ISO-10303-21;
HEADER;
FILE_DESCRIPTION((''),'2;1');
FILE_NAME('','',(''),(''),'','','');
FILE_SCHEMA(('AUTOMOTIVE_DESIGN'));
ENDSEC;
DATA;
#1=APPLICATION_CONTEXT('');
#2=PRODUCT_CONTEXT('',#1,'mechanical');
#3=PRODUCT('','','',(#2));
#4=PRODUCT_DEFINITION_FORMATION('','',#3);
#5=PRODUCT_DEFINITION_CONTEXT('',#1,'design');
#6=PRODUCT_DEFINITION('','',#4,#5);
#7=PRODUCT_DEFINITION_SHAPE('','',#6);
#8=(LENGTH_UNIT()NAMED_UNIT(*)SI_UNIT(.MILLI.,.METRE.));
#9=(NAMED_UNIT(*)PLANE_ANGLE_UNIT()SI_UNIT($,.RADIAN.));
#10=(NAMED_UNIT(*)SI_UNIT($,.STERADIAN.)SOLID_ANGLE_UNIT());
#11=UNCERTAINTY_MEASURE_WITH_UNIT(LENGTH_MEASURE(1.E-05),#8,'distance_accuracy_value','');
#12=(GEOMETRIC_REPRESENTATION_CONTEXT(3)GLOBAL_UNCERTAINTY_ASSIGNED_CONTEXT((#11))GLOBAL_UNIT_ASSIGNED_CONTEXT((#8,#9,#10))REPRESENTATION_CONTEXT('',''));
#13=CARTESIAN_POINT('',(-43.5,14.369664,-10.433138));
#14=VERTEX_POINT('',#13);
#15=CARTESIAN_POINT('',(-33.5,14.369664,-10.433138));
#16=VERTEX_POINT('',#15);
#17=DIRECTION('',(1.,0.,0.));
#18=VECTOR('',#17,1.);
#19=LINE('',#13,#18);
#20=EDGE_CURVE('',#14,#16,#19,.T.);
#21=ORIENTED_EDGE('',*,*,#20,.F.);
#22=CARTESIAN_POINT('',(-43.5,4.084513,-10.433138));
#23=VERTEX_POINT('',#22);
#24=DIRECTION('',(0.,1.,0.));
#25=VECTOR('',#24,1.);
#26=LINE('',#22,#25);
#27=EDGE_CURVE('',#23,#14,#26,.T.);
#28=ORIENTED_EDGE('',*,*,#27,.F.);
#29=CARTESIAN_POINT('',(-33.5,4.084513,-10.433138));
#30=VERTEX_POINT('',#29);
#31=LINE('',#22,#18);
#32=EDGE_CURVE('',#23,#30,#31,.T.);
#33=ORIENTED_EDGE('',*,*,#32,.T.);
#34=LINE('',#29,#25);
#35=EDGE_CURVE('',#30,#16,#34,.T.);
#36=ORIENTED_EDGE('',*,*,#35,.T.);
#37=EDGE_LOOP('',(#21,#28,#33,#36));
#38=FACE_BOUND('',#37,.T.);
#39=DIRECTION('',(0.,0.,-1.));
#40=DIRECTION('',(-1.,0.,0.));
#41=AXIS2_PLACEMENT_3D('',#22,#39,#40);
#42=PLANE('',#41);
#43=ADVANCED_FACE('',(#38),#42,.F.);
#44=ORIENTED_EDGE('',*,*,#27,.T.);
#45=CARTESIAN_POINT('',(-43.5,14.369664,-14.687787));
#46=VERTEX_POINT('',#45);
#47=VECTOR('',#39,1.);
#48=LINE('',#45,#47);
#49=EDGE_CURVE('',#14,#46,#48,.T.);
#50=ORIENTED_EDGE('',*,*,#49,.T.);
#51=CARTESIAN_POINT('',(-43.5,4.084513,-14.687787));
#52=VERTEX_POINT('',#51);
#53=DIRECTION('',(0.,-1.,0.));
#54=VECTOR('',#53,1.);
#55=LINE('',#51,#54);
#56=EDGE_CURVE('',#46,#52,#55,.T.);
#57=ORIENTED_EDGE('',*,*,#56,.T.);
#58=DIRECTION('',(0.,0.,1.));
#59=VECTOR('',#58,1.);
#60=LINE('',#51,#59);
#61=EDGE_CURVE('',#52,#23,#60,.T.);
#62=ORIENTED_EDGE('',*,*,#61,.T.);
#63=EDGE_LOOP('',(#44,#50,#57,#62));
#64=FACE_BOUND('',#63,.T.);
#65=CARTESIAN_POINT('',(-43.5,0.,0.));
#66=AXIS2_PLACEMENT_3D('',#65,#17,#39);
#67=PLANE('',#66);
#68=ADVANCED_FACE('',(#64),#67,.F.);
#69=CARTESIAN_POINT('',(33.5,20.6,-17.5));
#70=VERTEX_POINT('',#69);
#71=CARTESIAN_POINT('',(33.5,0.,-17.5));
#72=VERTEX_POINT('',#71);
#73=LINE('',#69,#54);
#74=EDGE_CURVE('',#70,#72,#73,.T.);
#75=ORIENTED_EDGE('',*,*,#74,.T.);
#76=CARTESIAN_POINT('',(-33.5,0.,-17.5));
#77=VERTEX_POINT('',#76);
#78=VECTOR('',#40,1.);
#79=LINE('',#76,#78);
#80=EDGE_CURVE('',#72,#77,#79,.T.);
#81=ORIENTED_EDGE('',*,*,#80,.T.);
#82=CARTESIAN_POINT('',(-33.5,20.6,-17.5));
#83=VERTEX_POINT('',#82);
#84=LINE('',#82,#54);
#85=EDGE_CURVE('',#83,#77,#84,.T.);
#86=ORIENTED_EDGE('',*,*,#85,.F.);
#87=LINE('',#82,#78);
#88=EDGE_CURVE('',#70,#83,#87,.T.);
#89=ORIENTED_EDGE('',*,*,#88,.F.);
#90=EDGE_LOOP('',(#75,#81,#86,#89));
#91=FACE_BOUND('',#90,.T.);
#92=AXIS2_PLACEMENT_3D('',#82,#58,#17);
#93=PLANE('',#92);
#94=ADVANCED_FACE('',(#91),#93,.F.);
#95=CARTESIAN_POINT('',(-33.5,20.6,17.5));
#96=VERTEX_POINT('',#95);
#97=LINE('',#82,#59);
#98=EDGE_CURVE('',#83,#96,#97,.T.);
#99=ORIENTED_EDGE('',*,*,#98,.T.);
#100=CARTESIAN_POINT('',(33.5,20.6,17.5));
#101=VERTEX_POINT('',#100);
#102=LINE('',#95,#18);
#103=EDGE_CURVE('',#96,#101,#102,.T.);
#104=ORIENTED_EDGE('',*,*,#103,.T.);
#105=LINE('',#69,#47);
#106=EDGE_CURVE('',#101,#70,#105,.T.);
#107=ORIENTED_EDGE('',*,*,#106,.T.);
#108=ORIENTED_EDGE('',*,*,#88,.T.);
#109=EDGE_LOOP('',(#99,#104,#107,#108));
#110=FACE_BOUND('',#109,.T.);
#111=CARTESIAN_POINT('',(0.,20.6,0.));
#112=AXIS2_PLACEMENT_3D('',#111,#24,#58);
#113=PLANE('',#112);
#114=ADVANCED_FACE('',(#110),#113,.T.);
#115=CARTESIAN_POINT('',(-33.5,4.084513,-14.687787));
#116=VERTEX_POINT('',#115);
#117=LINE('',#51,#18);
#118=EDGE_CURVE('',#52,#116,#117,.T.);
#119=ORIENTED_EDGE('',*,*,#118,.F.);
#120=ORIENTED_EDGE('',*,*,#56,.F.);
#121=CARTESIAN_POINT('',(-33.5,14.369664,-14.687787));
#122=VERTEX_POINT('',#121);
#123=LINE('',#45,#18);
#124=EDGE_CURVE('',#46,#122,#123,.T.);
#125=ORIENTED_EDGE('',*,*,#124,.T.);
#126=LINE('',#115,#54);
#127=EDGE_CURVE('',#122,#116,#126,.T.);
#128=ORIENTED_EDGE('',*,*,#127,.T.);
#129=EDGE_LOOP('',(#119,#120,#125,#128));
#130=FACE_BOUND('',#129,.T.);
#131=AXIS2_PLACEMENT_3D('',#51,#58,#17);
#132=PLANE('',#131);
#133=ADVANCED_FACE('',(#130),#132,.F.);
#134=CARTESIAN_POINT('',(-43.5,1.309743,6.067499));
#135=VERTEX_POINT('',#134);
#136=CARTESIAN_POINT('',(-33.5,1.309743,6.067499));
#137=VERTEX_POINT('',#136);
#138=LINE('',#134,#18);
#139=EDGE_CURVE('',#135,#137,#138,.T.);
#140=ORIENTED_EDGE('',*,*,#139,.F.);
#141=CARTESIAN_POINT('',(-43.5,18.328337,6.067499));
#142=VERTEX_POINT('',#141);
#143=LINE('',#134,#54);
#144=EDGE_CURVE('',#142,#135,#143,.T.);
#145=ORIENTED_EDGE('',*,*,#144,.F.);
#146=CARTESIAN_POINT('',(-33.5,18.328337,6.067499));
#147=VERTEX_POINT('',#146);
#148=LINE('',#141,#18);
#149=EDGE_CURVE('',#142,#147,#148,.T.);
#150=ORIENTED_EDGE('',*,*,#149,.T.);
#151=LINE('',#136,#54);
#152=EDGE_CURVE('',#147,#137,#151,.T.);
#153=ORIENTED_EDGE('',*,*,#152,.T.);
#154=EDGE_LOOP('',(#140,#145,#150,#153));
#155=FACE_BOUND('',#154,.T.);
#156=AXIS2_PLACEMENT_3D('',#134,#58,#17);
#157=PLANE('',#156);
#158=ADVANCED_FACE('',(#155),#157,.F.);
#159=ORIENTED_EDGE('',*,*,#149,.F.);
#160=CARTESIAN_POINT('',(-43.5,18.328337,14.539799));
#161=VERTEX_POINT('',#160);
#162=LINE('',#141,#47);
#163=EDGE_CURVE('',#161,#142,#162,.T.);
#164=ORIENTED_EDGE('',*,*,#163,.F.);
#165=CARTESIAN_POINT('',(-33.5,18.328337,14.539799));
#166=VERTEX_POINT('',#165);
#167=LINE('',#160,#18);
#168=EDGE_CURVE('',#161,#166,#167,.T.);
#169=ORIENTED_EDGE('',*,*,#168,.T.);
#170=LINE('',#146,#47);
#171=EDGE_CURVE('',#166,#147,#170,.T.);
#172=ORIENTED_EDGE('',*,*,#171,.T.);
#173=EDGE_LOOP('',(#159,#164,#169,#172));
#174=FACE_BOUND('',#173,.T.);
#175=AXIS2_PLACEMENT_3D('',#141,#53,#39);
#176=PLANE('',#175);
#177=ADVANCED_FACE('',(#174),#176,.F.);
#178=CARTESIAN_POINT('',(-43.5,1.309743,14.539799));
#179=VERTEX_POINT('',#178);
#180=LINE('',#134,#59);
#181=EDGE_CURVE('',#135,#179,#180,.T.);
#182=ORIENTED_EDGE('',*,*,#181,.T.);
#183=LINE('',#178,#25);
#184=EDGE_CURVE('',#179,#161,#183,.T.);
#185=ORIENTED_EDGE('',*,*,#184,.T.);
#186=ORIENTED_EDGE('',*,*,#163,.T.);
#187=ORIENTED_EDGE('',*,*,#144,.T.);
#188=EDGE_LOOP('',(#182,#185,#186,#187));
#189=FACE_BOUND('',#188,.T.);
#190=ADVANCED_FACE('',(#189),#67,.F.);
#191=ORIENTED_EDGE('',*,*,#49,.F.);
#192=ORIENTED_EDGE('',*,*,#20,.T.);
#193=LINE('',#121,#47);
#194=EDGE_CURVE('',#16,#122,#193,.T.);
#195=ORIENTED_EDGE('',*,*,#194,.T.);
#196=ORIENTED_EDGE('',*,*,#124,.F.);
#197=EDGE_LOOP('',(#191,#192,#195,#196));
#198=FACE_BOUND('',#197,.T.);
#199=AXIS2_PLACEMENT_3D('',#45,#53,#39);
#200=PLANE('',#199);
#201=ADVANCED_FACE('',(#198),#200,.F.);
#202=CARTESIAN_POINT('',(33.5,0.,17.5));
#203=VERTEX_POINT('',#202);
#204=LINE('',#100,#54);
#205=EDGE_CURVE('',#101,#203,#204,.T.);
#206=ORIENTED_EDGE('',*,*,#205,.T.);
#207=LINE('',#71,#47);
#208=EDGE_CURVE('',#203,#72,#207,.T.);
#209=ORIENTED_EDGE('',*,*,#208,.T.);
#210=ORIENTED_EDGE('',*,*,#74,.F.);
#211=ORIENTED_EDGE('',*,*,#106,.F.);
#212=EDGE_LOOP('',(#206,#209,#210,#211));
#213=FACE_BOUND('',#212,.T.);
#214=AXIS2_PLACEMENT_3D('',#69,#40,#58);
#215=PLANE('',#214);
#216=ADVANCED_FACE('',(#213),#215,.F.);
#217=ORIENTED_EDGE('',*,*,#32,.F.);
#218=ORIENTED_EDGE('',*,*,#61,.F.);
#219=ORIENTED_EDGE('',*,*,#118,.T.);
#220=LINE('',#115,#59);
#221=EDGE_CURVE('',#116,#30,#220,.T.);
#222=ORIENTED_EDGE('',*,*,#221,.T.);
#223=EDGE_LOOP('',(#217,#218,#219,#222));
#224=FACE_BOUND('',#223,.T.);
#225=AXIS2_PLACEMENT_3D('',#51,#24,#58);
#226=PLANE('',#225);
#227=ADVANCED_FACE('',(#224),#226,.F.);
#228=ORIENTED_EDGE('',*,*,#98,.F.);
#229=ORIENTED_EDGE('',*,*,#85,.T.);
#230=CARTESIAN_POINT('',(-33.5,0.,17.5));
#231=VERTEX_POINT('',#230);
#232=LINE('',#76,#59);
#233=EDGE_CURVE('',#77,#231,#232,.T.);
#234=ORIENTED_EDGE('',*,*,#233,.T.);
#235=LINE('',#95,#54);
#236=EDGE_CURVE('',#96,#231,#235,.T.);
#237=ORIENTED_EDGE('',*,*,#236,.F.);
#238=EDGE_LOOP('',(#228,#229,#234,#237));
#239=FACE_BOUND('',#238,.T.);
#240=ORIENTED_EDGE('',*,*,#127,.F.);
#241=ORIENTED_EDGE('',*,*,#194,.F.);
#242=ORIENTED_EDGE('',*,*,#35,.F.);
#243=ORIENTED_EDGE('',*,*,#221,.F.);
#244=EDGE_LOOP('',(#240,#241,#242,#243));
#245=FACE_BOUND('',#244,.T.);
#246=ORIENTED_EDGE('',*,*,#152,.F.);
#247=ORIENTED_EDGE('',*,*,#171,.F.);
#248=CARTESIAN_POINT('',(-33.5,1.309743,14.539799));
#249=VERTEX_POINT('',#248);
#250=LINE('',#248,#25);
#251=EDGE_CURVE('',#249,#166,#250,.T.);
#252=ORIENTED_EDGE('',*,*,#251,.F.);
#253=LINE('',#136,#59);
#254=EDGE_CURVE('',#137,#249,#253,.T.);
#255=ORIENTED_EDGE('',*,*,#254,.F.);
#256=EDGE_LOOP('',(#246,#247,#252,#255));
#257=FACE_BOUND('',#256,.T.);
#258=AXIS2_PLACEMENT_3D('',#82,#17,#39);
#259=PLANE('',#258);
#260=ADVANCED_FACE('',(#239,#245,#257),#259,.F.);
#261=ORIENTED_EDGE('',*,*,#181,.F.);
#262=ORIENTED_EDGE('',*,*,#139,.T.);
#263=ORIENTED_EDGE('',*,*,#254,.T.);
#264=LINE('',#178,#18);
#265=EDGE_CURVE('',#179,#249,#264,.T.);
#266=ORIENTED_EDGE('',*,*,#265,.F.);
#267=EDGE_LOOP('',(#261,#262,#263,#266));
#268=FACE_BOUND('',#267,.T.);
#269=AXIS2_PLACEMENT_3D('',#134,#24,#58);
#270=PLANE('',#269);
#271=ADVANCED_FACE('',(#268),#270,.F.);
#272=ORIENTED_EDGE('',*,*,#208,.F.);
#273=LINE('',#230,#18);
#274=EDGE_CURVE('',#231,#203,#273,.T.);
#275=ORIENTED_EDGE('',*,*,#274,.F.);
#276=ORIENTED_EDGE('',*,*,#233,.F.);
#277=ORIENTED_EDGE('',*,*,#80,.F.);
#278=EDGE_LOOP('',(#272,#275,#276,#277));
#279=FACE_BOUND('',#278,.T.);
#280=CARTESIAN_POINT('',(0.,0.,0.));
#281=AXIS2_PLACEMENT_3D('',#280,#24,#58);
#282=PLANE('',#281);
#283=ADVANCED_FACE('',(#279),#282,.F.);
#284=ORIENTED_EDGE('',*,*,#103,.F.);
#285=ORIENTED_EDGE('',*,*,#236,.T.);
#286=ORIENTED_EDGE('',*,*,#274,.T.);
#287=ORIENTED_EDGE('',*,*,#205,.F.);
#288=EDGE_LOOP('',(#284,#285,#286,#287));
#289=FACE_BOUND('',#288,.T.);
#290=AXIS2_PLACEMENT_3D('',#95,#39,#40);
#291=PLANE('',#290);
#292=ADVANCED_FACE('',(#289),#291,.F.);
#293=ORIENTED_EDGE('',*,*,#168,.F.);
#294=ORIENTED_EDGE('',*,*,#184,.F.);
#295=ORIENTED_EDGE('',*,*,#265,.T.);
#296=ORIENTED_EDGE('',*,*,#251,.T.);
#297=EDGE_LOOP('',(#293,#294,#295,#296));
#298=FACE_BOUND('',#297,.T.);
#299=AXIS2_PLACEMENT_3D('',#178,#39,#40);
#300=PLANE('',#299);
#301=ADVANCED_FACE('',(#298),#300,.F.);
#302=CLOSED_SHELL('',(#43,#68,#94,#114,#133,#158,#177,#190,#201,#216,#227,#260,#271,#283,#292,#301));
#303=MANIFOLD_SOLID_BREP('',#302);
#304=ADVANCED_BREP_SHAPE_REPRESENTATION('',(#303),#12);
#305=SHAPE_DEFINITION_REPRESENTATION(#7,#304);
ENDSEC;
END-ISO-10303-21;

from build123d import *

# Parameters (mm, degrees)
SKETCH1_W           = 67
SKETCH1_H           = 35
BOSS_EXTRUDE1_DEPTH = 20.6
SKETCH2_W           = 4.254648544
SKETCH2_H           = 10.285150392
SKETCH2_W_2         = 8.472300143
SKETCH2_H_2         = 17.018594174
BOSS_EXTRUDE2_DEPTH = 10


with BuildPart() as part:
    # Sketch1 → Boss-Extrude1 (new body)
    with BuildSketch(Plane(origin=(0, 0, 0), x_dir=(1, 0, 0), z_dir=(0, 1, 0))):
        Rectangle(SKETCH1_W, SKETCH1_H)
    extrude(amount=BOSS_EXTRUDE1_DEPTH)

    # Sketch2 → Boss-Extrude2 (add)
    with BuildSketch(Plane.ZY.offset(33.5)):
        with Locations((-12.560462439, 9.227088628)):
            Rectangle(SKETCH2_W, SKETCH2_H)
        with Locations((10.303648864, 9.81903973)):
            Rectangle(SKETCH2_W_2, SKETCH2_H_2)
    extrude(amount=BOSS_EXTRUDE2_DEPTH)


solid = part.part
